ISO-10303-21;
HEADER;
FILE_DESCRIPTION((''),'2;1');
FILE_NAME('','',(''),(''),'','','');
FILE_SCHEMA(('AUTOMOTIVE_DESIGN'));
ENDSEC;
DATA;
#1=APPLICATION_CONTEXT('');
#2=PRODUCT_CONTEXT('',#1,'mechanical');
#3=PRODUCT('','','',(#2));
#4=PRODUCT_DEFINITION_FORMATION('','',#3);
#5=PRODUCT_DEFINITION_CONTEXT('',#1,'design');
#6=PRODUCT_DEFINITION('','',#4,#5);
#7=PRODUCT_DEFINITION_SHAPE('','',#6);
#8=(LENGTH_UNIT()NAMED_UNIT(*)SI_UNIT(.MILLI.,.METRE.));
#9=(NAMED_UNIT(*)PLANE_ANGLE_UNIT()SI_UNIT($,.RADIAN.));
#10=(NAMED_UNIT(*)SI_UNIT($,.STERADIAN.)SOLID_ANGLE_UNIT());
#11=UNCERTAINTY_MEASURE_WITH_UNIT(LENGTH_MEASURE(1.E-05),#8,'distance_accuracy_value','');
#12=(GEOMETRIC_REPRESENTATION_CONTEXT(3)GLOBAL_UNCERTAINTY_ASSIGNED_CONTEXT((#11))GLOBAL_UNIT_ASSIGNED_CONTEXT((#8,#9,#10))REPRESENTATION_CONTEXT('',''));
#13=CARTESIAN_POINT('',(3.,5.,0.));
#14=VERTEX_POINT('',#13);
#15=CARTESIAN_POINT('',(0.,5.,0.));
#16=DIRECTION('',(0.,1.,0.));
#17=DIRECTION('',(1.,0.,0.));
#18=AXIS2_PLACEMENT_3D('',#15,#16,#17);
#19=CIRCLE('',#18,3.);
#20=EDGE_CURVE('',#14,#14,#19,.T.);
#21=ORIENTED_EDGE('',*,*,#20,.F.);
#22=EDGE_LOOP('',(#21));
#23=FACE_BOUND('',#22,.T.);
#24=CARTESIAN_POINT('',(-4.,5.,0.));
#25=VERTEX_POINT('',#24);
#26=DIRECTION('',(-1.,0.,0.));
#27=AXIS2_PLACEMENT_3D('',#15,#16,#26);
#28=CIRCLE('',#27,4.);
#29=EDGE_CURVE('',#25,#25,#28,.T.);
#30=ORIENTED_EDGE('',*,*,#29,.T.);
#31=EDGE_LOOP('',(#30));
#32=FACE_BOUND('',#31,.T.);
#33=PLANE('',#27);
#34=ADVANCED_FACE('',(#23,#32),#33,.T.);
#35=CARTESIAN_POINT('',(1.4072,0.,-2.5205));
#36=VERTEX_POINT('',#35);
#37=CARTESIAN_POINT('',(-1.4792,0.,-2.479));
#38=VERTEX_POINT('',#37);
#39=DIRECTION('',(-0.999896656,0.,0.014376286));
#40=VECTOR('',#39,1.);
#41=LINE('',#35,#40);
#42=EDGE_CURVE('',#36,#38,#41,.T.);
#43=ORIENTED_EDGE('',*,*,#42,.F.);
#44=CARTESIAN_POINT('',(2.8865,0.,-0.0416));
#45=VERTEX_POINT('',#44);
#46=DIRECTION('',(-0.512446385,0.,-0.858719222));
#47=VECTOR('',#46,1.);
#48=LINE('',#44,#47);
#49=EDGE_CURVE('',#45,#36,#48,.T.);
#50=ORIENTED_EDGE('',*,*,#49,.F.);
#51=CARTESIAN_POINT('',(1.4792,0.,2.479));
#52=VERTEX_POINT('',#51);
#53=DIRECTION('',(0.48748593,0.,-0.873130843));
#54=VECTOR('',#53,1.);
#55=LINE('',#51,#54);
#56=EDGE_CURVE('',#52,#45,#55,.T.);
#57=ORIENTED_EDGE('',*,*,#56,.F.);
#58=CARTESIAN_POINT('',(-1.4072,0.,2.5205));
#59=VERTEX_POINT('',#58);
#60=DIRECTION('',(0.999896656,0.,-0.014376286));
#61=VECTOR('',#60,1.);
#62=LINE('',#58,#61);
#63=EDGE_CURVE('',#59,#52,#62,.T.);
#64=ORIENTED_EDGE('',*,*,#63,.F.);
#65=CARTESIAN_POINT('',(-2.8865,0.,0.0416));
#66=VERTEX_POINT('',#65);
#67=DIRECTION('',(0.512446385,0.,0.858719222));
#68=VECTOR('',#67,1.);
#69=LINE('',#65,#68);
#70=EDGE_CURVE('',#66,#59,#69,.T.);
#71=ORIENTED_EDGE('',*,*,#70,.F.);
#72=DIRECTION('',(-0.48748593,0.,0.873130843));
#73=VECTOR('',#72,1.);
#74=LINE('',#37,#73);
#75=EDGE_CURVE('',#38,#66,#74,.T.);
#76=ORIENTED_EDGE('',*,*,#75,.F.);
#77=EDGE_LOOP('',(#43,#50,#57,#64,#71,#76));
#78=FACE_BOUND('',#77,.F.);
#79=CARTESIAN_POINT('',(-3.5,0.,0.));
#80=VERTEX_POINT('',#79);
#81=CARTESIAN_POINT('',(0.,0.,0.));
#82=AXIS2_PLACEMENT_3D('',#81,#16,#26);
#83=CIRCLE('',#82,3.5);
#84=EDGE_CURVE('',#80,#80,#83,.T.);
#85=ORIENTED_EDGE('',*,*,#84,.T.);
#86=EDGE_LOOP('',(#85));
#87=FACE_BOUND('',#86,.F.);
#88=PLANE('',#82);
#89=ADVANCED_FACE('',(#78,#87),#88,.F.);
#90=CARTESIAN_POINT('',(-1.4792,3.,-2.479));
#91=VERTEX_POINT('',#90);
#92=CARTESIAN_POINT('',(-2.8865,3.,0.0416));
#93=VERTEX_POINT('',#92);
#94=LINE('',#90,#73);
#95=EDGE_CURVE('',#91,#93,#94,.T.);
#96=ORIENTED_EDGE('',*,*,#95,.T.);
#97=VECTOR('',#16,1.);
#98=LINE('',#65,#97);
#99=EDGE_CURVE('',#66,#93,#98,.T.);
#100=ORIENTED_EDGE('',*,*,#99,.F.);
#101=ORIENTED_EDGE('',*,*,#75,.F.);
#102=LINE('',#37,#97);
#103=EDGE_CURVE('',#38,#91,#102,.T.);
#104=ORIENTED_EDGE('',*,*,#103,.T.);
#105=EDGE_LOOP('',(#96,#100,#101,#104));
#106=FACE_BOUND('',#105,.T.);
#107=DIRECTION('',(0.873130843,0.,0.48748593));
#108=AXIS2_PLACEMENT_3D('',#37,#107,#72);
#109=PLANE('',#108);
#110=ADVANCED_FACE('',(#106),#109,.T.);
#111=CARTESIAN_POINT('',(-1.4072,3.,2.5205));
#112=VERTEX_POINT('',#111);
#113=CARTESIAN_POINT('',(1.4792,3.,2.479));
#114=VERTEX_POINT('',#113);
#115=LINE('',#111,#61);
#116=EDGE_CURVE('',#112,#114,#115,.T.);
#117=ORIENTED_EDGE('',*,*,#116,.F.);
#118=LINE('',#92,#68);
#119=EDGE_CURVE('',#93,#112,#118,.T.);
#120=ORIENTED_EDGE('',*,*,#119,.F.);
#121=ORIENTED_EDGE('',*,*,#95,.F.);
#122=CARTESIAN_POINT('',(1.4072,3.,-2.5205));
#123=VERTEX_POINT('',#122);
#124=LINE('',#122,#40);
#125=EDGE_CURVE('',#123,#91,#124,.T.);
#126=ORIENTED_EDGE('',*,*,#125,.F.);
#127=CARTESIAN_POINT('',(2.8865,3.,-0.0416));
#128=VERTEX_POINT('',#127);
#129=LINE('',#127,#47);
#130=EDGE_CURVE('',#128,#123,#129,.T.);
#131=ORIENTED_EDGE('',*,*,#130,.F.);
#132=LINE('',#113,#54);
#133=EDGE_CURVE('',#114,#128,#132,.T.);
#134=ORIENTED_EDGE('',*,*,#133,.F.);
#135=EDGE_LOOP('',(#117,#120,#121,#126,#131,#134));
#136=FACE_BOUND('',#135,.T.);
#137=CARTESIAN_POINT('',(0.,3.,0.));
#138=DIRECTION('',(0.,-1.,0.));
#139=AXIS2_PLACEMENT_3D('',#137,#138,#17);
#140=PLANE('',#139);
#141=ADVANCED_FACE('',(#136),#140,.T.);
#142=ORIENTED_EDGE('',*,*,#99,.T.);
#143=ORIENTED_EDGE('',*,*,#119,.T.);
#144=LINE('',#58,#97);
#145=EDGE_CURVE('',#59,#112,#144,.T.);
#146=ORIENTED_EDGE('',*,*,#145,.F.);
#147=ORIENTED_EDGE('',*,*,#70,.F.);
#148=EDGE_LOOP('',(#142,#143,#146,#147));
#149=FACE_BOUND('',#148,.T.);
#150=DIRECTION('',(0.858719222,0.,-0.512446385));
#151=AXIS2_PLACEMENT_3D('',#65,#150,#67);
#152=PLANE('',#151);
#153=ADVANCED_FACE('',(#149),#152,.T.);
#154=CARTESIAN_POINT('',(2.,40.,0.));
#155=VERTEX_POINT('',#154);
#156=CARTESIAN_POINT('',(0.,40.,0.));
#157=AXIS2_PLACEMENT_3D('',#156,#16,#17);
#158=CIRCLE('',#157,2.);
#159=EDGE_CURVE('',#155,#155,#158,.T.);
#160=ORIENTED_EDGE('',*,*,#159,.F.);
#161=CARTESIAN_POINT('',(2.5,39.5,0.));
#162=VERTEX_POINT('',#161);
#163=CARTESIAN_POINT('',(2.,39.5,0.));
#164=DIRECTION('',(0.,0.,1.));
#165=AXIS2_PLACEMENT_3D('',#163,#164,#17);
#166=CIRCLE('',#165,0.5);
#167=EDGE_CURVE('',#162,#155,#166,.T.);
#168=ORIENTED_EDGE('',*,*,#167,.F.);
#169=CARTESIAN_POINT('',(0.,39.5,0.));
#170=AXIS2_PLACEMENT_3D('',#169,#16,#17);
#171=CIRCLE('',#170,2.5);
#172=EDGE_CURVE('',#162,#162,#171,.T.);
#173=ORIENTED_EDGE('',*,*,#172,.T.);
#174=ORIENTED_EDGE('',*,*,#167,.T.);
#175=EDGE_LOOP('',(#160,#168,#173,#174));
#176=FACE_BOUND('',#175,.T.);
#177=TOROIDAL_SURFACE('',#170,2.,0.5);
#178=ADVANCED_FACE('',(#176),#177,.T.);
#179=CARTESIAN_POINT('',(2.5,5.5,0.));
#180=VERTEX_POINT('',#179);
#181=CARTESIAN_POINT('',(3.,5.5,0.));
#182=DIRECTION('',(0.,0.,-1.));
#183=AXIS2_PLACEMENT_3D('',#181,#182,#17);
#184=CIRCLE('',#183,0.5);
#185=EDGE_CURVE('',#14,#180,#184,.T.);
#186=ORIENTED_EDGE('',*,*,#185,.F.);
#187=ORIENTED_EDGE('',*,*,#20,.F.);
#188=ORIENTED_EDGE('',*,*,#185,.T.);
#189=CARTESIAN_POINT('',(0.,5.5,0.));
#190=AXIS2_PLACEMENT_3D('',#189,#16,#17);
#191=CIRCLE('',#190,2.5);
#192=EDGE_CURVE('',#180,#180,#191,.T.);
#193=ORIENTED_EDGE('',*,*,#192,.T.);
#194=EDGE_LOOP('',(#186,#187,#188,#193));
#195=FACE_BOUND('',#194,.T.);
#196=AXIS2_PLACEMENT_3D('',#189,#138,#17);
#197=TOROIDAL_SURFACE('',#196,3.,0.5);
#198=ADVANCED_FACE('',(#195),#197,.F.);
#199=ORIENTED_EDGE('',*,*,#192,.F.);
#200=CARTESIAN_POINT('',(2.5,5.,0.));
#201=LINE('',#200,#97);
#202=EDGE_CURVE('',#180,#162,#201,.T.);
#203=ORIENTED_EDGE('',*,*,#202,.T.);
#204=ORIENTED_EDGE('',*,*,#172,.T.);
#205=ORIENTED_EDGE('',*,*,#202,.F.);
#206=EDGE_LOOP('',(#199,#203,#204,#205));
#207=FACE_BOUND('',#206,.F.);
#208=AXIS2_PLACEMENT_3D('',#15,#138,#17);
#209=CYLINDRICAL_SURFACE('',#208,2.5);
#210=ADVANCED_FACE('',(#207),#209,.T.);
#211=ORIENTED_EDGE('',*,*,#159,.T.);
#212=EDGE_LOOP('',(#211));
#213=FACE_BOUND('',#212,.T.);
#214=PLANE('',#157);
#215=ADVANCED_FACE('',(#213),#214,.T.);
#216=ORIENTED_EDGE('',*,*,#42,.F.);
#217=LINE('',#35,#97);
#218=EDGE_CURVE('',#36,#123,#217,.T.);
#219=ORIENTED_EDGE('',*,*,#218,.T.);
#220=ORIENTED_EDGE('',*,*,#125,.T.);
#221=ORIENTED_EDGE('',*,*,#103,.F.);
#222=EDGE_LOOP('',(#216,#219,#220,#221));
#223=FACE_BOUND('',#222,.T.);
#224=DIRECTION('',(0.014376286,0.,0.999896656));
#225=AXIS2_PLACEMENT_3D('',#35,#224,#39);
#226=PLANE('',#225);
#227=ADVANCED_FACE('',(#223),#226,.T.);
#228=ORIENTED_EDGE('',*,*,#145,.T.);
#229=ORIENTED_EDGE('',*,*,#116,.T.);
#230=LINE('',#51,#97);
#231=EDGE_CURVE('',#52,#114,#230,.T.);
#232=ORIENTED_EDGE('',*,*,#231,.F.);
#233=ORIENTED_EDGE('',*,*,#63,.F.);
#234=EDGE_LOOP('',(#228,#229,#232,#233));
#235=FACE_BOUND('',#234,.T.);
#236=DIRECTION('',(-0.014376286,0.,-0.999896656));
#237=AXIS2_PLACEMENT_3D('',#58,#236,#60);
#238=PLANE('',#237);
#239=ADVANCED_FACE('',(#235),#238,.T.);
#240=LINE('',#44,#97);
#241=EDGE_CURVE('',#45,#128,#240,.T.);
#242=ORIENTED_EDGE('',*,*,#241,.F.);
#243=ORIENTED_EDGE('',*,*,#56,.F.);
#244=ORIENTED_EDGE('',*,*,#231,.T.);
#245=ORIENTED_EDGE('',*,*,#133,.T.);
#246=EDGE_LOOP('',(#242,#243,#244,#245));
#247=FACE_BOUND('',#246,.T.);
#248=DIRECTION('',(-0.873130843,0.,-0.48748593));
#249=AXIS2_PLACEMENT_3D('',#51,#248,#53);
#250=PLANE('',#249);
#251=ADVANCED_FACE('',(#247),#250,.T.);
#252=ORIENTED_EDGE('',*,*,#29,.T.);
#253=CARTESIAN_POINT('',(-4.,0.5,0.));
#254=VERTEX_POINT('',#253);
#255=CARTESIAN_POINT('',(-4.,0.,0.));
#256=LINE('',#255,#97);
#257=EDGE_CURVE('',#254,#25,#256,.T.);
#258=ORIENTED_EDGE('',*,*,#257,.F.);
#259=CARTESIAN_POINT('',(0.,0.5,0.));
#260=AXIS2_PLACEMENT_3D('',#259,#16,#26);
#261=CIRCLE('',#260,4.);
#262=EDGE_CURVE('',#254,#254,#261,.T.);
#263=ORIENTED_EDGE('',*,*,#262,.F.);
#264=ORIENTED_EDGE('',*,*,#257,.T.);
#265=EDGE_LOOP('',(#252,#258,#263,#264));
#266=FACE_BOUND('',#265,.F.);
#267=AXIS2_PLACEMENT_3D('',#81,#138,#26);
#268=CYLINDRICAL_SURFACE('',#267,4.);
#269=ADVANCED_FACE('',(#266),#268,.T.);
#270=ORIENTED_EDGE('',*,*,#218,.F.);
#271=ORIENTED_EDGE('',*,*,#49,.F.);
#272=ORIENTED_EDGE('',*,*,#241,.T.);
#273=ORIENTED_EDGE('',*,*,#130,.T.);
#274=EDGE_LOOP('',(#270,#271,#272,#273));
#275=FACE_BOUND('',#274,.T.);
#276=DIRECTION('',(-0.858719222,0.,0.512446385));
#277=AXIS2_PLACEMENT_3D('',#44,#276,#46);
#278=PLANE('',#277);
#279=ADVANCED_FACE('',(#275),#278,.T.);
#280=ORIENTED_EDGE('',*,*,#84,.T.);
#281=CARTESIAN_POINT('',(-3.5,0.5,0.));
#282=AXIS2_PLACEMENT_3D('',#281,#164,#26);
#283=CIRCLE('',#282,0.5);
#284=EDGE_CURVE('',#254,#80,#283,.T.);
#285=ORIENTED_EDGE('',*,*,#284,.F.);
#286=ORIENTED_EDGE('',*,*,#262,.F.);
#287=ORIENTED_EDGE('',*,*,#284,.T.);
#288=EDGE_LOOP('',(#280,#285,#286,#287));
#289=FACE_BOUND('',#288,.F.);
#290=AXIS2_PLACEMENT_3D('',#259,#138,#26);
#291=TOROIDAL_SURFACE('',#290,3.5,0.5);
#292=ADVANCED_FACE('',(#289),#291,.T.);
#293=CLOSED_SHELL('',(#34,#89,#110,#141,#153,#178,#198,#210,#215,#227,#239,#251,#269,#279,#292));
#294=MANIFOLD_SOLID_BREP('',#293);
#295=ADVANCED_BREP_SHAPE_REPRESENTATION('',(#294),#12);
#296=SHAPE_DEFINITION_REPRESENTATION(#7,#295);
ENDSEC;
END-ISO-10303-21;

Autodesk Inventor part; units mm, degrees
ref_plane "YZ Plane" through (0, 0, 0) normal (1, 0, 0) x (0, 1, 0)
ref_plane "XZ Plane" through (0, 0, 0) normal (0, 1, 0) x (-1, 0, 0)
ref_plane "XY Plane" through (0, 0, 0) normal (0, 0, 1) x (1, 0, 0)
sketch "Sketch1" plane through (0, 0, 0) normal (0, 1, 0) x (-1, 0, 0)
  circle A0 centre (0, 0) radius 4
  dimension "d0" = 8
extrude "Extrusion1" add sketch "Sketch1" along normal blind 5
sketch "Sketch2" plane through (0, 5, 0) normal (0, 1, 0) x (1, 0, 0)
  circle A0 centre (0, 0) radius 2.5
  dimension "d3" = 5
extrude "Extrusion2" add sketch "Sketch2" along normal blind 35
sketch "Sketch3" plane through (0, 0, 0) normal (0, -1, 0) x (1, 0, 0)
  line L0 (2.8865, -0.0416) -> (1.4072, -2.5205)
  line L1 (1.4072, -2.5205) -> (-1.4792, -2.479)
  line L2 (-1.4792, -2.479) -> (-2.8865, 0.0416)
  line L3 (-2.8865, 0.0416) -> (-1.4072, 2.5205)
  line L4 (-1.4072, 2.5205) -> (1.4792, 2.479)
  line L5 (1.4792, 2.479) -> (2.8865, -0.0416)
  point P0 (0, 0)
  point P1 (0, 0)
  dimension "d6" = 2.5
extrude "Extrusion3" cut sketch "Sketch3" against normal blind 3
fillet "Fillet1" radius 0.5 1 edges at (4, 0, 0)
fillet "Fillet2" radius 0.5 2 edges at (-2.5, 5, 0) (-2.5, 40, 0)
properties part number "bulong5mm"
